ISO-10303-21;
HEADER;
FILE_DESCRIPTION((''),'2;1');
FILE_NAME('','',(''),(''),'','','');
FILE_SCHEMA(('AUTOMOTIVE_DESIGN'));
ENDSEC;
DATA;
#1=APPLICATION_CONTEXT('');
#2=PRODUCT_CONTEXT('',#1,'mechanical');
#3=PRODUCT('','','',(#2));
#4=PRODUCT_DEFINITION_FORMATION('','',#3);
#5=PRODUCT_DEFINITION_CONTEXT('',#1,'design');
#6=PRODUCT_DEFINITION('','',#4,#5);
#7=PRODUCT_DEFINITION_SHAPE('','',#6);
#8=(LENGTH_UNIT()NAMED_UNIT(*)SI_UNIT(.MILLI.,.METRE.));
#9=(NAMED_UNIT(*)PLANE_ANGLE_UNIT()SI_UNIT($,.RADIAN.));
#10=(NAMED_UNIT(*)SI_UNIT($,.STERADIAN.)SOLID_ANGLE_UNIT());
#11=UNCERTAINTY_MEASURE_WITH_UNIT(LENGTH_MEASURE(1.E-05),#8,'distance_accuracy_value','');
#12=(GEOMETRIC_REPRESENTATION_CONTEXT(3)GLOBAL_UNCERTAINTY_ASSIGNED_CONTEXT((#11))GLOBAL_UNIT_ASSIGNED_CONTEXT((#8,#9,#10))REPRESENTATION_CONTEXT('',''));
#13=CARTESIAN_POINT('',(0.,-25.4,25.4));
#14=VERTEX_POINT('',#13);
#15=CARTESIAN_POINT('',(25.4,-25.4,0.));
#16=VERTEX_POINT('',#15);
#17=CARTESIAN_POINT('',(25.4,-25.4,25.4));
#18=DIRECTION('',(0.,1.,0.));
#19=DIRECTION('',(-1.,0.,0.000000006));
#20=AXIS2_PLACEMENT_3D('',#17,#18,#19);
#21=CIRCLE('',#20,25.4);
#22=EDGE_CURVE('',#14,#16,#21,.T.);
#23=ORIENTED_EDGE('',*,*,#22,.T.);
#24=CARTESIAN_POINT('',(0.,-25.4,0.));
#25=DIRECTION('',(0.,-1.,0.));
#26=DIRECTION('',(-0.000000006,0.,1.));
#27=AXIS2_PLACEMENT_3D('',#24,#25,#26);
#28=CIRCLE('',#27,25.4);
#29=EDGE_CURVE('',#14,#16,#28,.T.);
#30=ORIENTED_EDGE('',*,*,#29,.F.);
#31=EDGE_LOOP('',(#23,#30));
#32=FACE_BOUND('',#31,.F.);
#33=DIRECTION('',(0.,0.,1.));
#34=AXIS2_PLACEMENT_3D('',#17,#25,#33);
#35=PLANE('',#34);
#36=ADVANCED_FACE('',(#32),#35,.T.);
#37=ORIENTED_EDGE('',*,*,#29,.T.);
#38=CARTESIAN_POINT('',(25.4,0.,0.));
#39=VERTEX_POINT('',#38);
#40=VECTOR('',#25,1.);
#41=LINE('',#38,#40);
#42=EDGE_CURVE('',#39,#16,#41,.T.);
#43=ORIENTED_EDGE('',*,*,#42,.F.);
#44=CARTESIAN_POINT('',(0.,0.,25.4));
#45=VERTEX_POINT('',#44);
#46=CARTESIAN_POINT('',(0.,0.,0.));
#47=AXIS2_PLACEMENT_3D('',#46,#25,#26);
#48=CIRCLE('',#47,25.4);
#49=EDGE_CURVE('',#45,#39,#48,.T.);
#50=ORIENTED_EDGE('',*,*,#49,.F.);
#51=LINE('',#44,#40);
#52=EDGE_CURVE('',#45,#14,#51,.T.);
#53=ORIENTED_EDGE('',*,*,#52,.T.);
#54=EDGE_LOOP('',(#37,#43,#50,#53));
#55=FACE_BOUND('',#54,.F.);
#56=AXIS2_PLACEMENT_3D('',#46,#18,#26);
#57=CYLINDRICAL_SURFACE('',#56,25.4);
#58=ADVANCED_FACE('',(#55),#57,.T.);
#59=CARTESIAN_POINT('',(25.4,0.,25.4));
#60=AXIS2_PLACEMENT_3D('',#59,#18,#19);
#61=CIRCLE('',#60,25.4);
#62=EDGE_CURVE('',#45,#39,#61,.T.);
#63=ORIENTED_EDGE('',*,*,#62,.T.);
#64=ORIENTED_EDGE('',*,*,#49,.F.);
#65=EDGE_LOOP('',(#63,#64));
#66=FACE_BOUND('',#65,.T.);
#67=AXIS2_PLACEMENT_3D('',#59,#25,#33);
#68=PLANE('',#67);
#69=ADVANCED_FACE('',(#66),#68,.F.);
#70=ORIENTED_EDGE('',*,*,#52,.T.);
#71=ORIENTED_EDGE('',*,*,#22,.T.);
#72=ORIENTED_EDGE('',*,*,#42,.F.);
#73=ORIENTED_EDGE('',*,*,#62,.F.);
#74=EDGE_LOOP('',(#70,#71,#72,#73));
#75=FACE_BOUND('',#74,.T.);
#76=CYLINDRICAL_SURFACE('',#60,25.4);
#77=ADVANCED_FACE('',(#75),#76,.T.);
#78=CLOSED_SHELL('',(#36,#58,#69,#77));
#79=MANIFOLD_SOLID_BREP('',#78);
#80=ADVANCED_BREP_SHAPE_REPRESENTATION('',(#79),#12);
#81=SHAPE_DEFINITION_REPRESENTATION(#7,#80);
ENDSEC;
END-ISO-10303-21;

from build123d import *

# Parameters (mm, degrees)
F1_DEPTH = 25.4


with BuildPart() as f1:
    # F0 (on Front) → F1 (new body)
    with BuildSketch(Plane.XZ):
        with BuildLine():
            Line((25.4, 0), (0, 25.4))
            ThreePointArc((0, 25.4), (-17.960512, -17.960512), (25.4, 0))
        make_face()
    extrude(amount=F1_DEPTH)

    # F2: F1 across face


with BuildPart() as f1_1:
    add(f1.part)
    add(f1.part.mirror(Plane(origin=(12.7, -12.7, 12.7), x_dir=(0, 1, 0), z_dir=(0.707107, 0, 0.707107))))


solid = f1_1.part
